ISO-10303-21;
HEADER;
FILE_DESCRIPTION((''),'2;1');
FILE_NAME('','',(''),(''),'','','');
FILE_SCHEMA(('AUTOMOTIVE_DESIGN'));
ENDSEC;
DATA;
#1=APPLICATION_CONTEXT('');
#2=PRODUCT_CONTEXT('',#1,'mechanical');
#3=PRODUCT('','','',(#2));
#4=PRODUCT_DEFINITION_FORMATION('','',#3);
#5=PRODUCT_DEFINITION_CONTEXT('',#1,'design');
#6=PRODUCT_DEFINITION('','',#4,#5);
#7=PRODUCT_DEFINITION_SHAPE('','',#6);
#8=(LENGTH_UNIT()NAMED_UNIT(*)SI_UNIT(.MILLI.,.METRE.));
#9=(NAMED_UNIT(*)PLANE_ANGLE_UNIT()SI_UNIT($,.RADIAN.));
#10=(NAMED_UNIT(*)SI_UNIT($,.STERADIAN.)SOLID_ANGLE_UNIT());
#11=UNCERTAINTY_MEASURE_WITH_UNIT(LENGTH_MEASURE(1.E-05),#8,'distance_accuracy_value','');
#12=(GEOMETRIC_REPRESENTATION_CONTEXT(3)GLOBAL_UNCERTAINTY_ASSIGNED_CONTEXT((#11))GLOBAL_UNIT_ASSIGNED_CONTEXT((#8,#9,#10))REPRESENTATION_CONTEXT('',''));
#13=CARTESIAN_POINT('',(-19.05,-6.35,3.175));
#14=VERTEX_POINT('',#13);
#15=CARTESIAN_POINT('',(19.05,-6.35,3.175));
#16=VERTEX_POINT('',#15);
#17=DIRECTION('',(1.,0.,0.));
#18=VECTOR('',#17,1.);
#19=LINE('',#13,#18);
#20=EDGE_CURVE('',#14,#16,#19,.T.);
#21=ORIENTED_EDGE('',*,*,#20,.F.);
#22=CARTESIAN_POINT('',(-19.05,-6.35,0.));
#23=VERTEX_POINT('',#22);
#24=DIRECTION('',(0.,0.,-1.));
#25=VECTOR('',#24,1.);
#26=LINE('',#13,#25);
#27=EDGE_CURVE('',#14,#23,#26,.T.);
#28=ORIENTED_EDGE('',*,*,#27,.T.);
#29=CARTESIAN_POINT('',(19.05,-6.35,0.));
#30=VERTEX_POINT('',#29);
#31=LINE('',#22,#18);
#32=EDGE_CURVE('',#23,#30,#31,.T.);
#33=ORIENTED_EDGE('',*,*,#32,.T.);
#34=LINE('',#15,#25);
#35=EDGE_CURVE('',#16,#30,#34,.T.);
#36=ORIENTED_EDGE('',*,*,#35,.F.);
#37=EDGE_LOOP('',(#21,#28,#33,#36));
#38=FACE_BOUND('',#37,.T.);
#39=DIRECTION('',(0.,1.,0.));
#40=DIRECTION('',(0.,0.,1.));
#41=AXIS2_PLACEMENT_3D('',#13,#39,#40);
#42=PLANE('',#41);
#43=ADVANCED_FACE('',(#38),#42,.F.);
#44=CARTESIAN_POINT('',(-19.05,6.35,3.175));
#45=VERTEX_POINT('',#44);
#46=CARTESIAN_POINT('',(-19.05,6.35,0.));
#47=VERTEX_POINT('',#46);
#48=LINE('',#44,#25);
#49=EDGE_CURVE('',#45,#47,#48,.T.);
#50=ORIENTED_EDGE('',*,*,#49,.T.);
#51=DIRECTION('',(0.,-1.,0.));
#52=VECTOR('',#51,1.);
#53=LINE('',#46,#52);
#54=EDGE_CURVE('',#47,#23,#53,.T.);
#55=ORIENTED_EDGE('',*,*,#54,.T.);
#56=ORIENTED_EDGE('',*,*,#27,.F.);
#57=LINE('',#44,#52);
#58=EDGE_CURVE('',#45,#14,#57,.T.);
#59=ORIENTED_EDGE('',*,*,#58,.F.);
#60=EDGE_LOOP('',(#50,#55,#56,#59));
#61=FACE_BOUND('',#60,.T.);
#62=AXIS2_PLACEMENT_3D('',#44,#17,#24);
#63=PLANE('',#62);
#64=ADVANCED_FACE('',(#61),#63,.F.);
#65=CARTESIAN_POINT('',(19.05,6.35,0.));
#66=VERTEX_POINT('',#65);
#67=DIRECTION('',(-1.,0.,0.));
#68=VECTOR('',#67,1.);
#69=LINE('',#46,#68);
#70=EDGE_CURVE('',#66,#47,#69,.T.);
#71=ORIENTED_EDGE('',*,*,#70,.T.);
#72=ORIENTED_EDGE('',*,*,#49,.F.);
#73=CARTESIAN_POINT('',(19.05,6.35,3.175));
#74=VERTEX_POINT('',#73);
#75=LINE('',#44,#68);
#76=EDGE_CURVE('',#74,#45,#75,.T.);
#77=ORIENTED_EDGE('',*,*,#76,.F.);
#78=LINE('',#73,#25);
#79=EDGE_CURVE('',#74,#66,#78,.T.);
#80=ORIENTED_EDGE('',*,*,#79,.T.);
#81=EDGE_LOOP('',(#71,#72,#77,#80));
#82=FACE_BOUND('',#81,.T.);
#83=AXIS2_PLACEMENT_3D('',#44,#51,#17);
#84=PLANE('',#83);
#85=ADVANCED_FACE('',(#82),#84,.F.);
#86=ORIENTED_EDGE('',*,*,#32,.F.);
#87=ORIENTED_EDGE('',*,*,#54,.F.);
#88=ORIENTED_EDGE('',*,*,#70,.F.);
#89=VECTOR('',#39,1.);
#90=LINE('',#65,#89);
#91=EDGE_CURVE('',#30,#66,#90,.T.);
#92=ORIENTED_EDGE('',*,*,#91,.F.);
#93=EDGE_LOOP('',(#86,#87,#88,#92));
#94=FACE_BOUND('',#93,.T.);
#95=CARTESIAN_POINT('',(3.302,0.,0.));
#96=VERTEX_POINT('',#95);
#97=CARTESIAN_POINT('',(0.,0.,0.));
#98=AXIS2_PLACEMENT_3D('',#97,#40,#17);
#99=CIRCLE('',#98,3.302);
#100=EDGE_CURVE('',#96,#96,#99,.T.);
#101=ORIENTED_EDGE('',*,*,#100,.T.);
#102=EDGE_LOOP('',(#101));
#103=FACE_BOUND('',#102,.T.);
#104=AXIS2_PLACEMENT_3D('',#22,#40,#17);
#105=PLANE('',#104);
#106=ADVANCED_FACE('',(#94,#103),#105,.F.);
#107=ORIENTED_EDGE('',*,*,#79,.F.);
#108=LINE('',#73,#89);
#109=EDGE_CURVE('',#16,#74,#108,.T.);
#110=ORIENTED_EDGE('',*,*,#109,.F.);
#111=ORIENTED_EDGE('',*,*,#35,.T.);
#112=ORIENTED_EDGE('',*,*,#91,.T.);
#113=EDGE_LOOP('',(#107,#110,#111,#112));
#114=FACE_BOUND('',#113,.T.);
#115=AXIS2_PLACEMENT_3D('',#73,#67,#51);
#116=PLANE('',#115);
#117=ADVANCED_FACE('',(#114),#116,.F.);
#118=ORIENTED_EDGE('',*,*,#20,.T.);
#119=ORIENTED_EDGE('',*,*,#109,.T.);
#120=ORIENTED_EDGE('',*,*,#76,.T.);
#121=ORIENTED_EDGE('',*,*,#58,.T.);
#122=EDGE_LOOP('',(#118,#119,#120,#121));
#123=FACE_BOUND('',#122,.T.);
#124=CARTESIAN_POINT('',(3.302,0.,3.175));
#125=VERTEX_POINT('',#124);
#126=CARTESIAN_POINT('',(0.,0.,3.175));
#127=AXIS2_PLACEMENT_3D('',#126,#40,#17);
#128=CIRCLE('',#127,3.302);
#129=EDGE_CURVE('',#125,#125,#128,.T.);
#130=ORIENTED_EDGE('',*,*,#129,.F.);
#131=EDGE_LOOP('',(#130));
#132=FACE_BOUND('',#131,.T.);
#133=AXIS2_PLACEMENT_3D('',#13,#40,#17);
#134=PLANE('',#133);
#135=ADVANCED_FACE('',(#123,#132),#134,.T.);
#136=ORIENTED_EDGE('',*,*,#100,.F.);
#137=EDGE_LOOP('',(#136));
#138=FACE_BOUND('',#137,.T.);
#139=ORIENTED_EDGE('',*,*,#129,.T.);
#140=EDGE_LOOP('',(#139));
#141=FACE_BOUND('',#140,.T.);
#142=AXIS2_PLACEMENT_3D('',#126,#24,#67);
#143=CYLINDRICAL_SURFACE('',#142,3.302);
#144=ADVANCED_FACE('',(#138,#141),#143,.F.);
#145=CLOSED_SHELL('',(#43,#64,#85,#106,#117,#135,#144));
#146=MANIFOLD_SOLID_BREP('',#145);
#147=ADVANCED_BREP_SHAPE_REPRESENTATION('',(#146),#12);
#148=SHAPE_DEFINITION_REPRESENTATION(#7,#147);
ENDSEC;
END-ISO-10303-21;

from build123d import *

# Parameters (mm, degrees)
SKETCH1_W      = 38.1
SKETCH1_H      = 12.7
SKETCH1_R      = 3.302
EXTRUDE1_DEPTH = 3.175


with BuildPart() as part:
    # Sketch1 → Extrude1 (new body)
    with BuildSketch(Plane.XY):
        Rectangle(SKETCH1_W, SKETCH1_H)
        Circle(SKETCH1_R, mode=Mode.SUBTRACT)
    extrude(amount=EXTRUDE1_DEPTH)


solid = part.part
